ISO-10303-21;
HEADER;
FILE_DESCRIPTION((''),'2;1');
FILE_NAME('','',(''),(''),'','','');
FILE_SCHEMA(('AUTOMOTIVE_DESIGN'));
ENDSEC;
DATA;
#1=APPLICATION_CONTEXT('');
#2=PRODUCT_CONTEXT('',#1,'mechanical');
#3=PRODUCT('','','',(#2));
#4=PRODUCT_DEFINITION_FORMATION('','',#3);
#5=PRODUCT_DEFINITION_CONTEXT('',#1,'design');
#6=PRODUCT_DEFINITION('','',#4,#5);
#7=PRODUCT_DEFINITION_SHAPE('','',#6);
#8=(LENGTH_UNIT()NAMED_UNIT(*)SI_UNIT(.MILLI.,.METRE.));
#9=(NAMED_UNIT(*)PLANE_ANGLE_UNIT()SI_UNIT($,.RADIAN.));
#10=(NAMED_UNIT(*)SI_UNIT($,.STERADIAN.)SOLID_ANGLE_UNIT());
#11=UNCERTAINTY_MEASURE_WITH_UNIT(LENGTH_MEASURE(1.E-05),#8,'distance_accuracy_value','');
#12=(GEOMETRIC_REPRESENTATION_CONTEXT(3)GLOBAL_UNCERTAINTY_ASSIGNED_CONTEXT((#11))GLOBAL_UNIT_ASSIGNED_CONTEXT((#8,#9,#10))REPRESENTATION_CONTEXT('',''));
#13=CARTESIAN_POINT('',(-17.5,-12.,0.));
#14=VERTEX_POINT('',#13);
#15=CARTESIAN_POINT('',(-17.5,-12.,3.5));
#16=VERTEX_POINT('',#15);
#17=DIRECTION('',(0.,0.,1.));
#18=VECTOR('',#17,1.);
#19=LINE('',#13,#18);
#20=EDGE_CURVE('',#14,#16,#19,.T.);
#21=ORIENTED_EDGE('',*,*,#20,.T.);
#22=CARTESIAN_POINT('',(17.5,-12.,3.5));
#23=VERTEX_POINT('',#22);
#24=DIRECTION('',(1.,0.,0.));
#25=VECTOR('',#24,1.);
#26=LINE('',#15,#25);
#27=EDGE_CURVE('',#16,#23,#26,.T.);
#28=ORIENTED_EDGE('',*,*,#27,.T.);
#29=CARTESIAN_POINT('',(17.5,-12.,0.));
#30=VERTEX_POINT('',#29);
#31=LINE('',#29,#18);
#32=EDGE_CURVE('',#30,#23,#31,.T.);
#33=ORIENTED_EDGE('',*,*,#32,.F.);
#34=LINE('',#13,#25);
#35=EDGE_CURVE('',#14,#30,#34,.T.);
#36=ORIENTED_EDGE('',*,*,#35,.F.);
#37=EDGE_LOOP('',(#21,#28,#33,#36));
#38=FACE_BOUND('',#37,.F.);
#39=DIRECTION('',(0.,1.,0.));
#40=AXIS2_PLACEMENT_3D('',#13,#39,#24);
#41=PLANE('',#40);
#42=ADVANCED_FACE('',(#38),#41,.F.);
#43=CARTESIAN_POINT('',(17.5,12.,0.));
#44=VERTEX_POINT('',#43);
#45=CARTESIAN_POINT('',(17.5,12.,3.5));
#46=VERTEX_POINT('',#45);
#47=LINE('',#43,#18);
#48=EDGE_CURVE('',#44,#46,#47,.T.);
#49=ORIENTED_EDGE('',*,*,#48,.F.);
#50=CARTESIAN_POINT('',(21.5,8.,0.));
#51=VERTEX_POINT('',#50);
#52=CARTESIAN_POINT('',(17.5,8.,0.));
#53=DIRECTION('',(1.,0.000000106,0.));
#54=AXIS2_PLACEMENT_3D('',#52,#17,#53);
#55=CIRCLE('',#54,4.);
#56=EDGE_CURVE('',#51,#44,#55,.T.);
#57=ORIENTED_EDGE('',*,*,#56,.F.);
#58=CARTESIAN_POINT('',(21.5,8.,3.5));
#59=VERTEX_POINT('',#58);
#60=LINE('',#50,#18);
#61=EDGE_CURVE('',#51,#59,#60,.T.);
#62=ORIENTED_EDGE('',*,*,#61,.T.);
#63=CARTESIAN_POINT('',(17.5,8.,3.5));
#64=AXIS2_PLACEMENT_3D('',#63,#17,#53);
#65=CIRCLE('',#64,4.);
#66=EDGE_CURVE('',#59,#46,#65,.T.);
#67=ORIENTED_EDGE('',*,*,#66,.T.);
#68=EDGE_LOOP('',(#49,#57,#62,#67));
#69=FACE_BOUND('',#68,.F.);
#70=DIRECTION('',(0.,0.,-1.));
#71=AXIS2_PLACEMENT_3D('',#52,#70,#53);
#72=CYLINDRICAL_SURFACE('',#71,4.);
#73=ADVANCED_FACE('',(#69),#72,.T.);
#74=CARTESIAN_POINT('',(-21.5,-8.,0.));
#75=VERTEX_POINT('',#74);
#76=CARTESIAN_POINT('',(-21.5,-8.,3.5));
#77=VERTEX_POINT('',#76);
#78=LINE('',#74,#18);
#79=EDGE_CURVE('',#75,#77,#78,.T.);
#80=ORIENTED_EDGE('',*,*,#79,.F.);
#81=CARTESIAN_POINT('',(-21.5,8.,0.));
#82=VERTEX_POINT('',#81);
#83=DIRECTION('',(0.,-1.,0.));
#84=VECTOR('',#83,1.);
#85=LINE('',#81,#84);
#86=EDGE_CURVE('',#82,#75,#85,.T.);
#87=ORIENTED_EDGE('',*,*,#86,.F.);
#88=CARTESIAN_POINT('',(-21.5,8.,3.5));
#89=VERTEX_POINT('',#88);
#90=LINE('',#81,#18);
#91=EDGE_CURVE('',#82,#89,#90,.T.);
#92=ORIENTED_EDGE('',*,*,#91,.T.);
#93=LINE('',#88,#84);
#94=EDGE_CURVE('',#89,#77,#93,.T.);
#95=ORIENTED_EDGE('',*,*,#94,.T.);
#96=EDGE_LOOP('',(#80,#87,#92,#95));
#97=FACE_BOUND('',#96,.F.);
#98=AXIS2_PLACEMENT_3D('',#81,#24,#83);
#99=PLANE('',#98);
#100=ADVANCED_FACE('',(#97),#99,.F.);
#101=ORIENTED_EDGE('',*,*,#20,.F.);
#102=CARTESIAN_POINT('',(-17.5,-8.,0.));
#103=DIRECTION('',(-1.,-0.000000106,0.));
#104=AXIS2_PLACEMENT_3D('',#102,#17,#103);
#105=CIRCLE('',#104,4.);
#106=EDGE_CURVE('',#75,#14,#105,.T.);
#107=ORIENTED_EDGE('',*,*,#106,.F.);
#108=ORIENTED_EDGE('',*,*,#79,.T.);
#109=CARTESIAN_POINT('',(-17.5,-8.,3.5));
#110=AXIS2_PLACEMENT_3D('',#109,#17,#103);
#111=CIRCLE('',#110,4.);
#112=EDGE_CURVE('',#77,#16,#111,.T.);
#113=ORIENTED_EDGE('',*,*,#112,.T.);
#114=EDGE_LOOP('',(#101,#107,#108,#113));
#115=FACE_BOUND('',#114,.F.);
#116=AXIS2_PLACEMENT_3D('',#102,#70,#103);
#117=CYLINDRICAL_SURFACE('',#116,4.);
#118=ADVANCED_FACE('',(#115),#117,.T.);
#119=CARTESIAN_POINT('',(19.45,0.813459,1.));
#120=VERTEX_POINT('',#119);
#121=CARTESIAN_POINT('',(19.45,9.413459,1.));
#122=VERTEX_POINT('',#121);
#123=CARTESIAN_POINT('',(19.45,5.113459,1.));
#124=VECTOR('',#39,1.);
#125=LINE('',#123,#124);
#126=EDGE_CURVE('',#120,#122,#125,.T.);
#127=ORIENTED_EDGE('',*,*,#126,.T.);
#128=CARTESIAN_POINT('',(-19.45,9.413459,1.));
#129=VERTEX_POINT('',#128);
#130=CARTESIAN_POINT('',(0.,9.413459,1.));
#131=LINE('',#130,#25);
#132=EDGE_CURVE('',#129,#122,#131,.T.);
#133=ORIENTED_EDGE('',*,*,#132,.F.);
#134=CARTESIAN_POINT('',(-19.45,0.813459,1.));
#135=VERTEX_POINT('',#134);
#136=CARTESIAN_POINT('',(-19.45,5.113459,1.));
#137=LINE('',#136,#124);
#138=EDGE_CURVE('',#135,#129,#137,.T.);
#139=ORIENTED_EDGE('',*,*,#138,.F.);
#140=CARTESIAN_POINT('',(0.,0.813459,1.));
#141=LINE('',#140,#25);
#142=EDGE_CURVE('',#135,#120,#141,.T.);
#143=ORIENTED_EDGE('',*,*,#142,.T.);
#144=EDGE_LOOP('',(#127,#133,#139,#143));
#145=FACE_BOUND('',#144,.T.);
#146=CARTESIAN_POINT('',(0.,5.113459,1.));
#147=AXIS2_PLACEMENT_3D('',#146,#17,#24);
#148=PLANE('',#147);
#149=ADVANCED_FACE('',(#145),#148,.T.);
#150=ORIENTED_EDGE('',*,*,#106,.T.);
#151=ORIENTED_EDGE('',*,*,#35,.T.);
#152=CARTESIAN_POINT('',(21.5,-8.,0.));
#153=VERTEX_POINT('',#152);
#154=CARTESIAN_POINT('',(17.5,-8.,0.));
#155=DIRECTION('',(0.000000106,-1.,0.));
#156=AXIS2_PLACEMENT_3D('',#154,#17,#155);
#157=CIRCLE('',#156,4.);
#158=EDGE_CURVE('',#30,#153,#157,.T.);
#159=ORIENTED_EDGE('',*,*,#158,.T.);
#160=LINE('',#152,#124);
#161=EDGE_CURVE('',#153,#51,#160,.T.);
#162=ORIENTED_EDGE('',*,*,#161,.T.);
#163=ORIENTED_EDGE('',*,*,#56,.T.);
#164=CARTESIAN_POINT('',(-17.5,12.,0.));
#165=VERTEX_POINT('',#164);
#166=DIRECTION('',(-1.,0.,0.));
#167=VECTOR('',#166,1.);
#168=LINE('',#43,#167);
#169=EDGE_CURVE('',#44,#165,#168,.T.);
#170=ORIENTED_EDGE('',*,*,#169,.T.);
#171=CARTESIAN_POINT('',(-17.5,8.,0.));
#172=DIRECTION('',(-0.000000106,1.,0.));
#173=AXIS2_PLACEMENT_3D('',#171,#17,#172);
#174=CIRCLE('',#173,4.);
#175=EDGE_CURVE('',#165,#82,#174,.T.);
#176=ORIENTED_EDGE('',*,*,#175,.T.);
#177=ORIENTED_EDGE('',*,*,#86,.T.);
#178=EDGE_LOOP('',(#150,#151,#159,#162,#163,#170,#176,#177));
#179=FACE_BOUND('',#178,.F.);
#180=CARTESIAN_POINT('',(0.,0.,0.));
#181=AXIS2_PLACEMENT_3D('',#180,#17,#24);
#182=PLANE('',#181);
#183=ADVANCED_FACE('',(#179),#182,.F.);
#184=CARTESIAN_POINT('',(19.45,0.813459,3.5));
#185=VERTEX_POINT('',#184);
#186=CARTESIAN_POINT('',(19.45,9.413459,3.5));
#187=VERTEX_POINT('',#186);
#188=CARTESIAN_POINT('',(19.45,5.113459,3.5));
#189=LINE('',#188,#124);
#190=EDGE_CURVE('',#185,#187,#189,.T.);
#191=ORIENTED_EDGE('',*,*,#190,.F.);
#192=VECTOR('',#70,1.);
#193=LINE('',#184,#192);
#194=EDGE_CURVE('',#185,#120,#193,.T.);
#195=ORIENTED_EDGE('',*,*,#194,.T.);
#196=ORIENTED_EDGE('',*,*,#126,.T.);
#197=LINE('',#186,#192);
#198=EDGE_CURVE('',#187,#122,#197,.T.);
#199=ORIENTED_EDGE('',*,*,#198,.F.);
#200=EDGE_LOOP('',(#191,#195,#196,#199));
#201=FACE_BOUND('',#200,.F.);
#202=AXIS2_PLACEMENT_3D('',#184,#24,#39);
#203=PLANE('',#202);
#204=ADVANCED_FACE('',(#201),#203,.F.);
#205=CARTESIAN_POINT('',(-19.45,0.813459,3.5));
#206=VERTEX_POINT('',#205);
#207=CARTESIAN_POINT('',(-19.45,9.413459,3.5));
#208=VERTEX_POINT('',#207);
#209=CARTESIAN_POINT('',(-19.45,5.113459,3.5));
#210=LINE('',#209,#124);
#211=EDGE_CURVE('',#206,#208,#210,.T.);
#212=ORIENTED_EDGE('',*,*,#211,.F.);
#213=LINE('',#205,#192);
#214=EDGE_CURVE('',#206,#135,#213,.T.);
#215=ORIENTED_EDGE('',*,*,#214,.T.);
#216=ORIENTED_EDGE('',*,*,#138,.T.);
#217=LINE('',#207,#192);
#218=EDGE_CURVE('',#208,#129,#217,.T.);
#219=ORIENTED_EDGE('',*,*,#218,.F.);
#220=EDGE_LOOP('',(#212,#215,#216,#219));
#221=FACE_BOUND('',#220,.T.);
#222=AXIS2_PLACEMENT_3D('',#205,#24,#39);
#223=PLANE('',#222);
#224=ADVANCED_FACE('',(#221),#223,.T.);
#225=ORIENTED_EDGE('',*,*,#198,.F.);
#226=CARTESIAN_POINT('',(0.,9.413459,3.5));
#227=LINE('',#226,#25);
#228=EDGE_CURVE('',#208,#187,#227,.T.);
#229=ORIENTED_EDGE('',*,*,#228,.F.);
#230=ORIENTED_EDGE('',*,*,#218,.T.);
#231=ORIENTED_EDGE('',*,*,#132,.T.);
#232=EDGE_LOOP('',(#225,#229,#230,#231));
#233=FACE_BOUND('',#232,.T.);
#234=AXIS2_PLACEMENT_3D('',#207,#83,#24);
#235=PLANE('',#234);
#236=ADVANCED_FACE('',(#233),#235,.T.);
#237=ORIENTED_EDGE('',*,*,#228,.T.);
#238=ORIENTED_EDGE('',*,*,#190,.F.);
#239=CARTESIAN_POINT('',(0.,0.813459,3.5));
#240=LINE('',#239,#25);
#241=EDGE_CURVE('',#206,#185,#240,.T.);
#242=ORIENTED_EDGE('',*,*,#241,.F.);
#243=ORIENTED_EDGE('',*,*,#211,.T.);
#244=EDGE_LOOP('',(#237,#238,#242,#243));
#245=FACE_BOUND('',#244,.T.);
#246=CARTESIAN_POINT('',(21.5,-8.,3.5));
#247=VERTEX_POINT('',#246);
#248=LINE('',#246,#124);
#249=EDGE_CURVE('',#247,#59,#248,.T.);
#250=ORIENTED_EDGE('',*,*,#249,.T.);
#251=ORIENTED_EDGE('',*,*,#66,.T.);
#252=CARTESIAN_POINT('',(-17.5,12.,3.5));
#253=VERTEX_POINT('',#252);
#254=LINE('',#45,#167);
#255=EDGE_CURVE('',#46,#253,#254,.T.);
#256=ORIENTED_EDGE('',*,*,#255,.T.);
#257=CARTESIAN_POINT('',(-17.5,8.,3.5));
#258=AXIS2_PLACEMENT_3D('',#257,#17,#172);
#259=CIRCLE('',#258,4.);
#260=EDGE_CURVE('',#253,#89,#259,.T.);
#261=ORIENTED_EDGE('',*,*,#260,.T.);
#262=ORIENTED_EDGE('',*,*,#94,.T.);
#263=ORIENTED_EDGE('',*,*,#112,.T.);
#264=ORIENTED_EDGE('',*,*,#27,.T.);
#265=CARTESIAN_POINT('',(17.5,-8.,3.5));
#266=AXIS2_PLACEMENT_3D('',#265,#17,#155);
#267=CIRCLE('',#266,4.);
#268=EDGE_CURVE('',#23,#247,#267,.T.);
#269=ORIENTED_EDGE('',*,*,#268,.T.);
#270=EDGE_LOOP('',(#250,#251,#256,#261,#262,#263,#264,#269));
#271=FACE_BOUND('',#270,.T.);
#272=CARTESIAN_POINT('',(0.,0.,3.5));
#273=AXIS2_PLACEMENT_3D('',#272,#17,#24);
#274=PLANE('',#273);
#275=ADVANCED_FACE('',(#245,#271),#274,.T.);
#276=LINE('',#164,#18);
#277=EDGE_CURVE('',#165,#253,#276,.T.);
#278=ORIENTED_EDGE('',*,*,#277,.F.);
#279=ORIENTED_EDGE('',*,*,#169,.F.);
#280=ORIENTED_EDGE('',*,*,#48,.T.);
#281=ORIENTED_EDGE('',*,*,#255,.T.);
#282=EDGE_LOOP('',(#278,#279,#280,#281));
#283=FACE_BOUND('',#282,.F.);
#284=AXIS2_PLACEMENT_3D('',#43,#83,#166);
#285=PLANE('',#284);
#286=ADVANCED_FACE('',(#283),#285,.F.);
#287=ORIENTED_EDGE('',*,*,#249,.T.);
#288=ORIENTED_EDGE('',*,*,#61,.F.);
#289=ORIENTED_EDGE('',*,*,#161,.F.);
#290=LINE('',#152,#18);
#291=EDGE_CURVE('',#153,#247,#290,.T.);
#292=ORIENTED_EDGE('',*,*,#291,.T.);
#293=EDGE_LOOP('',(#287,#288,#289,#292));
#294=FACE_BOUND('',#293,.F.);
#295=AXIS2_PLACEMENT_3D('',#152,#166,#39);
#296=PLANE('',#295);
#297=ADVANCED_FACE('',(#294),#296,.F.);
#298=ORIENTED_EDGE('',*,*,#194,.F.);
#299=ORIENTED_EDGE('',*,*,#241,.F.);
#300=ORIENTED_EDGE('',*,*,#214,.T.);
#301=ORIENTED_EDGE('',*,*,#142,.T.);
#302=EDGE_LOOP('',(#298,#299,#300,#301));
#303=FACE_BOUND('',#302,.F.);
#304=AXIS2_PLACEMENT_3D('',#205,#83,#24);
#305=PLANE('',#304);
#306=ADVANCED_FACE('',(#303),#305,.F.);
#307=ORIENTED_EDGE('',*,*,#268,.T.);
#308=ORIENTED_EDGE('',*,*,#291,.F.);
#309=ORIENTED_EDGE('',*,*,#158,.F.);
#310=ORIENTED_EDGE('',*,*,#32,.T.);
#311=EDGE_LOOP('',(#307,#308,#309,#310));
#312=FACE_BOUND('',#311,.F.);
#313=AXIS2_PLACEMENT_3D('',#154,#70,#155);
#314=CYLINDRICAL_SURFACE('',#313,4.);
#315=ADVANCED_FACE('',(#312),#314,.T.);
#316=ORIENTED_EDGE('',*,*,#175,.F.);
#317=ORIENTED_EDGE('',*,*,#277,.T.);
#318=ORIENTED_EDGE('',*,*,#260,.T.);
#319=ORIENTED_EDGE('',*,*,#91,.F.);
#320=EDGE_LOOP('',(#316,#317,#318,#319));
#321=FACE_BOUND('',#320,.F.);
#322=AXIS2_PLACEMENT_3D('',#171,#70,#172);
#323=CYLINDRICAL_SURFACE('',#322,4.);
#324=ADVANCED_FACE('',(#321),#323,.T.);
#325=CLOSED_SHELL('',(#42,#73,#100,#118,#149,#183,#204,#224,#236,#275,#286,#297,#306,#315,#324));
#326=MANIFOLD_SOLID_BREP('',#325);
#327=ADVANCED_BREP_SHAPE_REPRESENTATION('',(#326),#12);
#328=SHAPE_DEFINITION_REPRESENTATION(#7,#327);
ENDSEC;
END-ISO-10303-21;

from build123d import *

# Parameters (mm, degrees)
F1_DEPTH = 3.5
F2_W     = 38.9
F2_H     = 8.6
F3_DEPTH = 2.5


with BuildPart() as f1:
    # F0 (on Top) → F1 (new body)
    with BuildSketch(Plane.XY):
        with BuildLine():
            Line((-17.5, -12), (17.5, -12))
            ThreePointArc((17.5, -12), (20.328427, -10.828427), (21.5, -8))
            Line((21.5, -8), (21.5, 8))
            ThreePointArc((21.5, 8), (20.328427, 10.828427), (17.5, 12))
            Line((17.5, 12), (-17.5, 12))
            ThreePointArc((-17.5, 12), (-20.328427, 10.828427), (-21.5, 8))
            Line((-21.5, 8), (-21.5, -8))
            ThreePointArc((-21.5, -8), (-20.328427, -10.828427), (-17.5, -12))
        make_face()
    extrude(amount=F1_DEPTH)

    # F2 (on face) → F3 (cut)
    with BuildSketch(Plane.XY.offset(3.5)):
        with Locations((0, 5.113459)):
            Rectangle(F2_W, F2_H)
    extrude(amount=-F3_DEPTH, mode=Mode.SUBTRACT)


solid = f1.part
